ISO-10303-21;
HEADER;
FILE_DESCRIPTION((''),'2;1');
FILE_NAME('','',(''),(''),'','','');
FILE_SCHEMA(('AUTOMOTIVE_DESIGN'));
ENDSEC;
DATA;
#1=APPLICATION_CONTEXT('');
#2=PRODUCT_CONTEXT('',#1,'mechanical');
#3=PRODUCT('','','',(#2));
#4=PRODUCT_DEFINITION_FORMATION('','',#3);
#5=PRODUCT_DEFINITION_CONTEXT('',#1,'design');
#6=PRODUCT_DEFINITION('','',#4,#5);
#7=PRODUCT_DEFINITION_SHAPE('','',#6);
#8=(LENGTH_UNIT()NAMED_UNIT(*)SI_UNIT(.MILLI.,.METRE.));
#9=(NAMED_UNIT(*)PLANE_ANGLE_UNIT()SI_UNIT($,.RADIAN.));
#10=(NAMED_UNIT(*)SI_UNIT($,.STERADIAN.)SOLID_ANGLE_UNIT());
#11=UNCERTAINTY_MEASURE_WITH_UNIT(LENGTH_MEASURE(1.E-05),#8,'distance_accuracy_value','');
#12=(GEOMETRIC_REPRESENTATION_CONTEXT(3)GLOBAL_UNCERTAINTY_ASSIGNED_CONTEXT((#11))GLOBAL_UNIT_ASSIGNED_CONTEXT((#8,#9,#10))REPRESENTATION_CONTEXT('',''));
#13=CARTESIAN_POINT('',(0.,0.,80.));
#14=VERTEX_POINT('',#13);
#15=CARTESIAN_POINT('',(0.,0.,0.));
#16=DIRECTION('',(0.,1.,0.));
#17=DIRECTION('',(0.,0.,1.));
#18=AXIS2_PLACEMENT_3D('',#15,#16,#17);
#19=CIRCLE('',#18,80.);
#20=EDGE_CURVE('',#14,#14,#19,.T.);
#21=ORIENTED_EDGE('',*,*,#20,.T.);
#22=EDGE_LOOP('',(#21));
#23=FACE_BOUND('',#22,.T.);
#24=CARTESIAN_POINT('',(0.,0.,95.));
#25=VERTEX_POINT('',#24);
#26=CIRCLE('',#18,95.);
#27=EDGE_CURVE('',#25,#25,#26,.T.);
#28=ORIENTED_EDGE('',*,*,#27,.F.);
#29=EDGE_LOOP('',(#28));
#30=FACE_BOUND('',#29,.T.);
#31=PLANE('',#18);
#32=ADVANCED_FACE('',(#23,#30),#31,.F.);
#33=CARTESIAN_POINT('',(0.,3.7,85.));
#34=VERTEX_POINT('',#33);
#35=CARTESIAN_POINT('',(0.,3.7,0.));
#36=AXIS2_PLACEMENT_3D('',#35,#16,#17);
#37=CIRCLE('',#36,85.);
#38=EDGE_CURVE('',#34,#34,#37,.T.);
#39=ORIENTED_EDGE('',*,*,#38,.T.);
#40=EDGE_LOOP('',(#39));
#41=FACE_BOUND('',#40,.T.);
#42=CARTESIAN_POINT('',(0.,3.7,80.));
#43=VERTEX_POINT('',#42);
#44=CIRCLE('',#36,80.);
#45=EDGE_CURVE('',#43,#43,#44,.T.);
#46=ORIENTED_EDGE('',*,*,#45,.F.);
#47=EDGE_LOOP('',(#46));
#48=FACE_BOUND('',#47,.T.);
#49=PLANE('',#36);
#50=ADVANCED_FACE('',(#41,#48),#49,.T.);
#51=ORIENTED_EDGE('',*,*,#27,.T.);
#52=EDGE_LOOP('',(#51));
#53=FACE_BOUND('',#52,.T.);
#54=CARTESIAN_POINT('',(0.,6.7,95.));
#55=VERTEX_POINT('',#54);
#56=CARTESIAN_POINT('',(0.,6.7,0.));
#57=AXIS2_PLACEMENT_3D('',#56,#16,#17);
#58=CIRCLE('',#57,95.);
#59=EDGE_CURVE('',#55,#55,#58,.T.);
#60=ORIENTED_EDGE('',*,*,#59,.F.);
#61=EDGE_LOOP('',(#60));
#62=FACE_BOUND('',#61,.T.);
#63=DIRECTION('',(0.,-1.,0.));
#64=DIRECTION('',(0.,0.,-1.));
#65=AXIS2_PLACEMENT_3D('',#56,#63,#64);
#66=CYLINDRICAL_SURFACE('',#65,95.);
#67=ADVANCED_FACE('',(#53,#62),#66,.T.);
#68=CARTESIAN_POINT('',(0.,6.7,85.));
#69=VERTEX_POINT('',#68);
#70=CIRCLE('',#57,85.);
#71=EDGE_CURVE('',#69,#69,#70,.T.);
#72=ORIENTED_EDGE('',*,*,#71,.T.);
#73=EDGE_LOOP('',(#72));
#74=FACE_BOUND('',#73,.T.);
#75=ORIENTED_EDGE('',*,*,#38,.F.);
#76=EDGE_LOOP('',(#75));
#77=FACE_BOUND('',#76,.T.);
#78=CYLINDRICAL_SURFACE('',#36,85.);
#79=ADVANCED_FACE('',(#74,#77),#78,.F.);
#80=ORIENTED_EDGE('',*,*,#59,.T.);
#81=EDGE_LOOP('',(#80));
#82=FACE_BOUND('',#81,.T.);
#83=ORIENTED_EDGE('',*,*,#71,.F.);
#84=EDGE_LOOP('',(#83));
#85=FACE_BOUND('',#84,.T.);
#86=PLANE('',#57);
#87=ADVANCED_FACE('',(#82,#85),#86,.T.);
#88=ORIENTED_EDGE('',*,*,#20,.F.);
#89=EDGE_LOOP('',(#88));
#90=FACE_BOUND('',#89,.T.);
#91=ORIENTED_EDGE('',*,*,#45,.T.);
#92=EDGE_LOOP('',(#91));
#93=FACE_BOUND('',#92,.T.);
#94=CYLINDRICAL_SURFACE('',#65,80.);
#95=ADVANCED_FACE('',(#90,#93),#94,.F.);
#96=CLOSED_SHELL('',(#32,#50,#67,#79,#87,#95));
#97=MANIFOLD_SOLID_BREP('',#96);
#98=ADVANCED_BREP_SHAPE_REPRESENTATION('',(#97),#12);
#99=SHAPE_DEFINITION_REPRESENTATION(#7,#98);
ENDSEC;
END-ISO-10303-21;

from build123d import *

# Parameters (mm, degrees)
SKETCH1_R           = 95
SKETCH1_R_2         = 80
BOSS_EXTRUDE1_DEPTH = 6.7
SKETCH2_R           = 85
CUT_EXTRUDE1_DEPTH  = 3


with BuildPart() as part:
    # Sketch1 → Boss-Extrude1 (new body)
    with BuildSketch(Plane(origin=(0, 0, 0), x_dir=(1, 0, 0), z_dir=(0, 1, 0))):
        with Locations(Location((0, 0, 0), (0, 0, 270))):
            Circle(SKETCH1_R)
        with Locations(Location((0, 0, 0), (0, 0, 270))):
            Circle(SKETCH1_R_2, mode=Mode.SUBTRACT)
    extrude(amount=BOSS_EXTRUDE1_DEPTH)

    # Sketch2 → Cut-Extrude1 (cut)
    with BuildSketch(Plane(origin=(0, 6.7, 0), x_dir=(1, 0, 0), z_dir=(0, 1, 0))):
        with Locations(Location((0, 0, 0), (0, 0, 270))):
            Circle(SKETCH2_R)
    extrude(amount=-CUT_EXTRUDE1_DEPTH, mode=Mode.SUBTRACT)


solid = part.part
